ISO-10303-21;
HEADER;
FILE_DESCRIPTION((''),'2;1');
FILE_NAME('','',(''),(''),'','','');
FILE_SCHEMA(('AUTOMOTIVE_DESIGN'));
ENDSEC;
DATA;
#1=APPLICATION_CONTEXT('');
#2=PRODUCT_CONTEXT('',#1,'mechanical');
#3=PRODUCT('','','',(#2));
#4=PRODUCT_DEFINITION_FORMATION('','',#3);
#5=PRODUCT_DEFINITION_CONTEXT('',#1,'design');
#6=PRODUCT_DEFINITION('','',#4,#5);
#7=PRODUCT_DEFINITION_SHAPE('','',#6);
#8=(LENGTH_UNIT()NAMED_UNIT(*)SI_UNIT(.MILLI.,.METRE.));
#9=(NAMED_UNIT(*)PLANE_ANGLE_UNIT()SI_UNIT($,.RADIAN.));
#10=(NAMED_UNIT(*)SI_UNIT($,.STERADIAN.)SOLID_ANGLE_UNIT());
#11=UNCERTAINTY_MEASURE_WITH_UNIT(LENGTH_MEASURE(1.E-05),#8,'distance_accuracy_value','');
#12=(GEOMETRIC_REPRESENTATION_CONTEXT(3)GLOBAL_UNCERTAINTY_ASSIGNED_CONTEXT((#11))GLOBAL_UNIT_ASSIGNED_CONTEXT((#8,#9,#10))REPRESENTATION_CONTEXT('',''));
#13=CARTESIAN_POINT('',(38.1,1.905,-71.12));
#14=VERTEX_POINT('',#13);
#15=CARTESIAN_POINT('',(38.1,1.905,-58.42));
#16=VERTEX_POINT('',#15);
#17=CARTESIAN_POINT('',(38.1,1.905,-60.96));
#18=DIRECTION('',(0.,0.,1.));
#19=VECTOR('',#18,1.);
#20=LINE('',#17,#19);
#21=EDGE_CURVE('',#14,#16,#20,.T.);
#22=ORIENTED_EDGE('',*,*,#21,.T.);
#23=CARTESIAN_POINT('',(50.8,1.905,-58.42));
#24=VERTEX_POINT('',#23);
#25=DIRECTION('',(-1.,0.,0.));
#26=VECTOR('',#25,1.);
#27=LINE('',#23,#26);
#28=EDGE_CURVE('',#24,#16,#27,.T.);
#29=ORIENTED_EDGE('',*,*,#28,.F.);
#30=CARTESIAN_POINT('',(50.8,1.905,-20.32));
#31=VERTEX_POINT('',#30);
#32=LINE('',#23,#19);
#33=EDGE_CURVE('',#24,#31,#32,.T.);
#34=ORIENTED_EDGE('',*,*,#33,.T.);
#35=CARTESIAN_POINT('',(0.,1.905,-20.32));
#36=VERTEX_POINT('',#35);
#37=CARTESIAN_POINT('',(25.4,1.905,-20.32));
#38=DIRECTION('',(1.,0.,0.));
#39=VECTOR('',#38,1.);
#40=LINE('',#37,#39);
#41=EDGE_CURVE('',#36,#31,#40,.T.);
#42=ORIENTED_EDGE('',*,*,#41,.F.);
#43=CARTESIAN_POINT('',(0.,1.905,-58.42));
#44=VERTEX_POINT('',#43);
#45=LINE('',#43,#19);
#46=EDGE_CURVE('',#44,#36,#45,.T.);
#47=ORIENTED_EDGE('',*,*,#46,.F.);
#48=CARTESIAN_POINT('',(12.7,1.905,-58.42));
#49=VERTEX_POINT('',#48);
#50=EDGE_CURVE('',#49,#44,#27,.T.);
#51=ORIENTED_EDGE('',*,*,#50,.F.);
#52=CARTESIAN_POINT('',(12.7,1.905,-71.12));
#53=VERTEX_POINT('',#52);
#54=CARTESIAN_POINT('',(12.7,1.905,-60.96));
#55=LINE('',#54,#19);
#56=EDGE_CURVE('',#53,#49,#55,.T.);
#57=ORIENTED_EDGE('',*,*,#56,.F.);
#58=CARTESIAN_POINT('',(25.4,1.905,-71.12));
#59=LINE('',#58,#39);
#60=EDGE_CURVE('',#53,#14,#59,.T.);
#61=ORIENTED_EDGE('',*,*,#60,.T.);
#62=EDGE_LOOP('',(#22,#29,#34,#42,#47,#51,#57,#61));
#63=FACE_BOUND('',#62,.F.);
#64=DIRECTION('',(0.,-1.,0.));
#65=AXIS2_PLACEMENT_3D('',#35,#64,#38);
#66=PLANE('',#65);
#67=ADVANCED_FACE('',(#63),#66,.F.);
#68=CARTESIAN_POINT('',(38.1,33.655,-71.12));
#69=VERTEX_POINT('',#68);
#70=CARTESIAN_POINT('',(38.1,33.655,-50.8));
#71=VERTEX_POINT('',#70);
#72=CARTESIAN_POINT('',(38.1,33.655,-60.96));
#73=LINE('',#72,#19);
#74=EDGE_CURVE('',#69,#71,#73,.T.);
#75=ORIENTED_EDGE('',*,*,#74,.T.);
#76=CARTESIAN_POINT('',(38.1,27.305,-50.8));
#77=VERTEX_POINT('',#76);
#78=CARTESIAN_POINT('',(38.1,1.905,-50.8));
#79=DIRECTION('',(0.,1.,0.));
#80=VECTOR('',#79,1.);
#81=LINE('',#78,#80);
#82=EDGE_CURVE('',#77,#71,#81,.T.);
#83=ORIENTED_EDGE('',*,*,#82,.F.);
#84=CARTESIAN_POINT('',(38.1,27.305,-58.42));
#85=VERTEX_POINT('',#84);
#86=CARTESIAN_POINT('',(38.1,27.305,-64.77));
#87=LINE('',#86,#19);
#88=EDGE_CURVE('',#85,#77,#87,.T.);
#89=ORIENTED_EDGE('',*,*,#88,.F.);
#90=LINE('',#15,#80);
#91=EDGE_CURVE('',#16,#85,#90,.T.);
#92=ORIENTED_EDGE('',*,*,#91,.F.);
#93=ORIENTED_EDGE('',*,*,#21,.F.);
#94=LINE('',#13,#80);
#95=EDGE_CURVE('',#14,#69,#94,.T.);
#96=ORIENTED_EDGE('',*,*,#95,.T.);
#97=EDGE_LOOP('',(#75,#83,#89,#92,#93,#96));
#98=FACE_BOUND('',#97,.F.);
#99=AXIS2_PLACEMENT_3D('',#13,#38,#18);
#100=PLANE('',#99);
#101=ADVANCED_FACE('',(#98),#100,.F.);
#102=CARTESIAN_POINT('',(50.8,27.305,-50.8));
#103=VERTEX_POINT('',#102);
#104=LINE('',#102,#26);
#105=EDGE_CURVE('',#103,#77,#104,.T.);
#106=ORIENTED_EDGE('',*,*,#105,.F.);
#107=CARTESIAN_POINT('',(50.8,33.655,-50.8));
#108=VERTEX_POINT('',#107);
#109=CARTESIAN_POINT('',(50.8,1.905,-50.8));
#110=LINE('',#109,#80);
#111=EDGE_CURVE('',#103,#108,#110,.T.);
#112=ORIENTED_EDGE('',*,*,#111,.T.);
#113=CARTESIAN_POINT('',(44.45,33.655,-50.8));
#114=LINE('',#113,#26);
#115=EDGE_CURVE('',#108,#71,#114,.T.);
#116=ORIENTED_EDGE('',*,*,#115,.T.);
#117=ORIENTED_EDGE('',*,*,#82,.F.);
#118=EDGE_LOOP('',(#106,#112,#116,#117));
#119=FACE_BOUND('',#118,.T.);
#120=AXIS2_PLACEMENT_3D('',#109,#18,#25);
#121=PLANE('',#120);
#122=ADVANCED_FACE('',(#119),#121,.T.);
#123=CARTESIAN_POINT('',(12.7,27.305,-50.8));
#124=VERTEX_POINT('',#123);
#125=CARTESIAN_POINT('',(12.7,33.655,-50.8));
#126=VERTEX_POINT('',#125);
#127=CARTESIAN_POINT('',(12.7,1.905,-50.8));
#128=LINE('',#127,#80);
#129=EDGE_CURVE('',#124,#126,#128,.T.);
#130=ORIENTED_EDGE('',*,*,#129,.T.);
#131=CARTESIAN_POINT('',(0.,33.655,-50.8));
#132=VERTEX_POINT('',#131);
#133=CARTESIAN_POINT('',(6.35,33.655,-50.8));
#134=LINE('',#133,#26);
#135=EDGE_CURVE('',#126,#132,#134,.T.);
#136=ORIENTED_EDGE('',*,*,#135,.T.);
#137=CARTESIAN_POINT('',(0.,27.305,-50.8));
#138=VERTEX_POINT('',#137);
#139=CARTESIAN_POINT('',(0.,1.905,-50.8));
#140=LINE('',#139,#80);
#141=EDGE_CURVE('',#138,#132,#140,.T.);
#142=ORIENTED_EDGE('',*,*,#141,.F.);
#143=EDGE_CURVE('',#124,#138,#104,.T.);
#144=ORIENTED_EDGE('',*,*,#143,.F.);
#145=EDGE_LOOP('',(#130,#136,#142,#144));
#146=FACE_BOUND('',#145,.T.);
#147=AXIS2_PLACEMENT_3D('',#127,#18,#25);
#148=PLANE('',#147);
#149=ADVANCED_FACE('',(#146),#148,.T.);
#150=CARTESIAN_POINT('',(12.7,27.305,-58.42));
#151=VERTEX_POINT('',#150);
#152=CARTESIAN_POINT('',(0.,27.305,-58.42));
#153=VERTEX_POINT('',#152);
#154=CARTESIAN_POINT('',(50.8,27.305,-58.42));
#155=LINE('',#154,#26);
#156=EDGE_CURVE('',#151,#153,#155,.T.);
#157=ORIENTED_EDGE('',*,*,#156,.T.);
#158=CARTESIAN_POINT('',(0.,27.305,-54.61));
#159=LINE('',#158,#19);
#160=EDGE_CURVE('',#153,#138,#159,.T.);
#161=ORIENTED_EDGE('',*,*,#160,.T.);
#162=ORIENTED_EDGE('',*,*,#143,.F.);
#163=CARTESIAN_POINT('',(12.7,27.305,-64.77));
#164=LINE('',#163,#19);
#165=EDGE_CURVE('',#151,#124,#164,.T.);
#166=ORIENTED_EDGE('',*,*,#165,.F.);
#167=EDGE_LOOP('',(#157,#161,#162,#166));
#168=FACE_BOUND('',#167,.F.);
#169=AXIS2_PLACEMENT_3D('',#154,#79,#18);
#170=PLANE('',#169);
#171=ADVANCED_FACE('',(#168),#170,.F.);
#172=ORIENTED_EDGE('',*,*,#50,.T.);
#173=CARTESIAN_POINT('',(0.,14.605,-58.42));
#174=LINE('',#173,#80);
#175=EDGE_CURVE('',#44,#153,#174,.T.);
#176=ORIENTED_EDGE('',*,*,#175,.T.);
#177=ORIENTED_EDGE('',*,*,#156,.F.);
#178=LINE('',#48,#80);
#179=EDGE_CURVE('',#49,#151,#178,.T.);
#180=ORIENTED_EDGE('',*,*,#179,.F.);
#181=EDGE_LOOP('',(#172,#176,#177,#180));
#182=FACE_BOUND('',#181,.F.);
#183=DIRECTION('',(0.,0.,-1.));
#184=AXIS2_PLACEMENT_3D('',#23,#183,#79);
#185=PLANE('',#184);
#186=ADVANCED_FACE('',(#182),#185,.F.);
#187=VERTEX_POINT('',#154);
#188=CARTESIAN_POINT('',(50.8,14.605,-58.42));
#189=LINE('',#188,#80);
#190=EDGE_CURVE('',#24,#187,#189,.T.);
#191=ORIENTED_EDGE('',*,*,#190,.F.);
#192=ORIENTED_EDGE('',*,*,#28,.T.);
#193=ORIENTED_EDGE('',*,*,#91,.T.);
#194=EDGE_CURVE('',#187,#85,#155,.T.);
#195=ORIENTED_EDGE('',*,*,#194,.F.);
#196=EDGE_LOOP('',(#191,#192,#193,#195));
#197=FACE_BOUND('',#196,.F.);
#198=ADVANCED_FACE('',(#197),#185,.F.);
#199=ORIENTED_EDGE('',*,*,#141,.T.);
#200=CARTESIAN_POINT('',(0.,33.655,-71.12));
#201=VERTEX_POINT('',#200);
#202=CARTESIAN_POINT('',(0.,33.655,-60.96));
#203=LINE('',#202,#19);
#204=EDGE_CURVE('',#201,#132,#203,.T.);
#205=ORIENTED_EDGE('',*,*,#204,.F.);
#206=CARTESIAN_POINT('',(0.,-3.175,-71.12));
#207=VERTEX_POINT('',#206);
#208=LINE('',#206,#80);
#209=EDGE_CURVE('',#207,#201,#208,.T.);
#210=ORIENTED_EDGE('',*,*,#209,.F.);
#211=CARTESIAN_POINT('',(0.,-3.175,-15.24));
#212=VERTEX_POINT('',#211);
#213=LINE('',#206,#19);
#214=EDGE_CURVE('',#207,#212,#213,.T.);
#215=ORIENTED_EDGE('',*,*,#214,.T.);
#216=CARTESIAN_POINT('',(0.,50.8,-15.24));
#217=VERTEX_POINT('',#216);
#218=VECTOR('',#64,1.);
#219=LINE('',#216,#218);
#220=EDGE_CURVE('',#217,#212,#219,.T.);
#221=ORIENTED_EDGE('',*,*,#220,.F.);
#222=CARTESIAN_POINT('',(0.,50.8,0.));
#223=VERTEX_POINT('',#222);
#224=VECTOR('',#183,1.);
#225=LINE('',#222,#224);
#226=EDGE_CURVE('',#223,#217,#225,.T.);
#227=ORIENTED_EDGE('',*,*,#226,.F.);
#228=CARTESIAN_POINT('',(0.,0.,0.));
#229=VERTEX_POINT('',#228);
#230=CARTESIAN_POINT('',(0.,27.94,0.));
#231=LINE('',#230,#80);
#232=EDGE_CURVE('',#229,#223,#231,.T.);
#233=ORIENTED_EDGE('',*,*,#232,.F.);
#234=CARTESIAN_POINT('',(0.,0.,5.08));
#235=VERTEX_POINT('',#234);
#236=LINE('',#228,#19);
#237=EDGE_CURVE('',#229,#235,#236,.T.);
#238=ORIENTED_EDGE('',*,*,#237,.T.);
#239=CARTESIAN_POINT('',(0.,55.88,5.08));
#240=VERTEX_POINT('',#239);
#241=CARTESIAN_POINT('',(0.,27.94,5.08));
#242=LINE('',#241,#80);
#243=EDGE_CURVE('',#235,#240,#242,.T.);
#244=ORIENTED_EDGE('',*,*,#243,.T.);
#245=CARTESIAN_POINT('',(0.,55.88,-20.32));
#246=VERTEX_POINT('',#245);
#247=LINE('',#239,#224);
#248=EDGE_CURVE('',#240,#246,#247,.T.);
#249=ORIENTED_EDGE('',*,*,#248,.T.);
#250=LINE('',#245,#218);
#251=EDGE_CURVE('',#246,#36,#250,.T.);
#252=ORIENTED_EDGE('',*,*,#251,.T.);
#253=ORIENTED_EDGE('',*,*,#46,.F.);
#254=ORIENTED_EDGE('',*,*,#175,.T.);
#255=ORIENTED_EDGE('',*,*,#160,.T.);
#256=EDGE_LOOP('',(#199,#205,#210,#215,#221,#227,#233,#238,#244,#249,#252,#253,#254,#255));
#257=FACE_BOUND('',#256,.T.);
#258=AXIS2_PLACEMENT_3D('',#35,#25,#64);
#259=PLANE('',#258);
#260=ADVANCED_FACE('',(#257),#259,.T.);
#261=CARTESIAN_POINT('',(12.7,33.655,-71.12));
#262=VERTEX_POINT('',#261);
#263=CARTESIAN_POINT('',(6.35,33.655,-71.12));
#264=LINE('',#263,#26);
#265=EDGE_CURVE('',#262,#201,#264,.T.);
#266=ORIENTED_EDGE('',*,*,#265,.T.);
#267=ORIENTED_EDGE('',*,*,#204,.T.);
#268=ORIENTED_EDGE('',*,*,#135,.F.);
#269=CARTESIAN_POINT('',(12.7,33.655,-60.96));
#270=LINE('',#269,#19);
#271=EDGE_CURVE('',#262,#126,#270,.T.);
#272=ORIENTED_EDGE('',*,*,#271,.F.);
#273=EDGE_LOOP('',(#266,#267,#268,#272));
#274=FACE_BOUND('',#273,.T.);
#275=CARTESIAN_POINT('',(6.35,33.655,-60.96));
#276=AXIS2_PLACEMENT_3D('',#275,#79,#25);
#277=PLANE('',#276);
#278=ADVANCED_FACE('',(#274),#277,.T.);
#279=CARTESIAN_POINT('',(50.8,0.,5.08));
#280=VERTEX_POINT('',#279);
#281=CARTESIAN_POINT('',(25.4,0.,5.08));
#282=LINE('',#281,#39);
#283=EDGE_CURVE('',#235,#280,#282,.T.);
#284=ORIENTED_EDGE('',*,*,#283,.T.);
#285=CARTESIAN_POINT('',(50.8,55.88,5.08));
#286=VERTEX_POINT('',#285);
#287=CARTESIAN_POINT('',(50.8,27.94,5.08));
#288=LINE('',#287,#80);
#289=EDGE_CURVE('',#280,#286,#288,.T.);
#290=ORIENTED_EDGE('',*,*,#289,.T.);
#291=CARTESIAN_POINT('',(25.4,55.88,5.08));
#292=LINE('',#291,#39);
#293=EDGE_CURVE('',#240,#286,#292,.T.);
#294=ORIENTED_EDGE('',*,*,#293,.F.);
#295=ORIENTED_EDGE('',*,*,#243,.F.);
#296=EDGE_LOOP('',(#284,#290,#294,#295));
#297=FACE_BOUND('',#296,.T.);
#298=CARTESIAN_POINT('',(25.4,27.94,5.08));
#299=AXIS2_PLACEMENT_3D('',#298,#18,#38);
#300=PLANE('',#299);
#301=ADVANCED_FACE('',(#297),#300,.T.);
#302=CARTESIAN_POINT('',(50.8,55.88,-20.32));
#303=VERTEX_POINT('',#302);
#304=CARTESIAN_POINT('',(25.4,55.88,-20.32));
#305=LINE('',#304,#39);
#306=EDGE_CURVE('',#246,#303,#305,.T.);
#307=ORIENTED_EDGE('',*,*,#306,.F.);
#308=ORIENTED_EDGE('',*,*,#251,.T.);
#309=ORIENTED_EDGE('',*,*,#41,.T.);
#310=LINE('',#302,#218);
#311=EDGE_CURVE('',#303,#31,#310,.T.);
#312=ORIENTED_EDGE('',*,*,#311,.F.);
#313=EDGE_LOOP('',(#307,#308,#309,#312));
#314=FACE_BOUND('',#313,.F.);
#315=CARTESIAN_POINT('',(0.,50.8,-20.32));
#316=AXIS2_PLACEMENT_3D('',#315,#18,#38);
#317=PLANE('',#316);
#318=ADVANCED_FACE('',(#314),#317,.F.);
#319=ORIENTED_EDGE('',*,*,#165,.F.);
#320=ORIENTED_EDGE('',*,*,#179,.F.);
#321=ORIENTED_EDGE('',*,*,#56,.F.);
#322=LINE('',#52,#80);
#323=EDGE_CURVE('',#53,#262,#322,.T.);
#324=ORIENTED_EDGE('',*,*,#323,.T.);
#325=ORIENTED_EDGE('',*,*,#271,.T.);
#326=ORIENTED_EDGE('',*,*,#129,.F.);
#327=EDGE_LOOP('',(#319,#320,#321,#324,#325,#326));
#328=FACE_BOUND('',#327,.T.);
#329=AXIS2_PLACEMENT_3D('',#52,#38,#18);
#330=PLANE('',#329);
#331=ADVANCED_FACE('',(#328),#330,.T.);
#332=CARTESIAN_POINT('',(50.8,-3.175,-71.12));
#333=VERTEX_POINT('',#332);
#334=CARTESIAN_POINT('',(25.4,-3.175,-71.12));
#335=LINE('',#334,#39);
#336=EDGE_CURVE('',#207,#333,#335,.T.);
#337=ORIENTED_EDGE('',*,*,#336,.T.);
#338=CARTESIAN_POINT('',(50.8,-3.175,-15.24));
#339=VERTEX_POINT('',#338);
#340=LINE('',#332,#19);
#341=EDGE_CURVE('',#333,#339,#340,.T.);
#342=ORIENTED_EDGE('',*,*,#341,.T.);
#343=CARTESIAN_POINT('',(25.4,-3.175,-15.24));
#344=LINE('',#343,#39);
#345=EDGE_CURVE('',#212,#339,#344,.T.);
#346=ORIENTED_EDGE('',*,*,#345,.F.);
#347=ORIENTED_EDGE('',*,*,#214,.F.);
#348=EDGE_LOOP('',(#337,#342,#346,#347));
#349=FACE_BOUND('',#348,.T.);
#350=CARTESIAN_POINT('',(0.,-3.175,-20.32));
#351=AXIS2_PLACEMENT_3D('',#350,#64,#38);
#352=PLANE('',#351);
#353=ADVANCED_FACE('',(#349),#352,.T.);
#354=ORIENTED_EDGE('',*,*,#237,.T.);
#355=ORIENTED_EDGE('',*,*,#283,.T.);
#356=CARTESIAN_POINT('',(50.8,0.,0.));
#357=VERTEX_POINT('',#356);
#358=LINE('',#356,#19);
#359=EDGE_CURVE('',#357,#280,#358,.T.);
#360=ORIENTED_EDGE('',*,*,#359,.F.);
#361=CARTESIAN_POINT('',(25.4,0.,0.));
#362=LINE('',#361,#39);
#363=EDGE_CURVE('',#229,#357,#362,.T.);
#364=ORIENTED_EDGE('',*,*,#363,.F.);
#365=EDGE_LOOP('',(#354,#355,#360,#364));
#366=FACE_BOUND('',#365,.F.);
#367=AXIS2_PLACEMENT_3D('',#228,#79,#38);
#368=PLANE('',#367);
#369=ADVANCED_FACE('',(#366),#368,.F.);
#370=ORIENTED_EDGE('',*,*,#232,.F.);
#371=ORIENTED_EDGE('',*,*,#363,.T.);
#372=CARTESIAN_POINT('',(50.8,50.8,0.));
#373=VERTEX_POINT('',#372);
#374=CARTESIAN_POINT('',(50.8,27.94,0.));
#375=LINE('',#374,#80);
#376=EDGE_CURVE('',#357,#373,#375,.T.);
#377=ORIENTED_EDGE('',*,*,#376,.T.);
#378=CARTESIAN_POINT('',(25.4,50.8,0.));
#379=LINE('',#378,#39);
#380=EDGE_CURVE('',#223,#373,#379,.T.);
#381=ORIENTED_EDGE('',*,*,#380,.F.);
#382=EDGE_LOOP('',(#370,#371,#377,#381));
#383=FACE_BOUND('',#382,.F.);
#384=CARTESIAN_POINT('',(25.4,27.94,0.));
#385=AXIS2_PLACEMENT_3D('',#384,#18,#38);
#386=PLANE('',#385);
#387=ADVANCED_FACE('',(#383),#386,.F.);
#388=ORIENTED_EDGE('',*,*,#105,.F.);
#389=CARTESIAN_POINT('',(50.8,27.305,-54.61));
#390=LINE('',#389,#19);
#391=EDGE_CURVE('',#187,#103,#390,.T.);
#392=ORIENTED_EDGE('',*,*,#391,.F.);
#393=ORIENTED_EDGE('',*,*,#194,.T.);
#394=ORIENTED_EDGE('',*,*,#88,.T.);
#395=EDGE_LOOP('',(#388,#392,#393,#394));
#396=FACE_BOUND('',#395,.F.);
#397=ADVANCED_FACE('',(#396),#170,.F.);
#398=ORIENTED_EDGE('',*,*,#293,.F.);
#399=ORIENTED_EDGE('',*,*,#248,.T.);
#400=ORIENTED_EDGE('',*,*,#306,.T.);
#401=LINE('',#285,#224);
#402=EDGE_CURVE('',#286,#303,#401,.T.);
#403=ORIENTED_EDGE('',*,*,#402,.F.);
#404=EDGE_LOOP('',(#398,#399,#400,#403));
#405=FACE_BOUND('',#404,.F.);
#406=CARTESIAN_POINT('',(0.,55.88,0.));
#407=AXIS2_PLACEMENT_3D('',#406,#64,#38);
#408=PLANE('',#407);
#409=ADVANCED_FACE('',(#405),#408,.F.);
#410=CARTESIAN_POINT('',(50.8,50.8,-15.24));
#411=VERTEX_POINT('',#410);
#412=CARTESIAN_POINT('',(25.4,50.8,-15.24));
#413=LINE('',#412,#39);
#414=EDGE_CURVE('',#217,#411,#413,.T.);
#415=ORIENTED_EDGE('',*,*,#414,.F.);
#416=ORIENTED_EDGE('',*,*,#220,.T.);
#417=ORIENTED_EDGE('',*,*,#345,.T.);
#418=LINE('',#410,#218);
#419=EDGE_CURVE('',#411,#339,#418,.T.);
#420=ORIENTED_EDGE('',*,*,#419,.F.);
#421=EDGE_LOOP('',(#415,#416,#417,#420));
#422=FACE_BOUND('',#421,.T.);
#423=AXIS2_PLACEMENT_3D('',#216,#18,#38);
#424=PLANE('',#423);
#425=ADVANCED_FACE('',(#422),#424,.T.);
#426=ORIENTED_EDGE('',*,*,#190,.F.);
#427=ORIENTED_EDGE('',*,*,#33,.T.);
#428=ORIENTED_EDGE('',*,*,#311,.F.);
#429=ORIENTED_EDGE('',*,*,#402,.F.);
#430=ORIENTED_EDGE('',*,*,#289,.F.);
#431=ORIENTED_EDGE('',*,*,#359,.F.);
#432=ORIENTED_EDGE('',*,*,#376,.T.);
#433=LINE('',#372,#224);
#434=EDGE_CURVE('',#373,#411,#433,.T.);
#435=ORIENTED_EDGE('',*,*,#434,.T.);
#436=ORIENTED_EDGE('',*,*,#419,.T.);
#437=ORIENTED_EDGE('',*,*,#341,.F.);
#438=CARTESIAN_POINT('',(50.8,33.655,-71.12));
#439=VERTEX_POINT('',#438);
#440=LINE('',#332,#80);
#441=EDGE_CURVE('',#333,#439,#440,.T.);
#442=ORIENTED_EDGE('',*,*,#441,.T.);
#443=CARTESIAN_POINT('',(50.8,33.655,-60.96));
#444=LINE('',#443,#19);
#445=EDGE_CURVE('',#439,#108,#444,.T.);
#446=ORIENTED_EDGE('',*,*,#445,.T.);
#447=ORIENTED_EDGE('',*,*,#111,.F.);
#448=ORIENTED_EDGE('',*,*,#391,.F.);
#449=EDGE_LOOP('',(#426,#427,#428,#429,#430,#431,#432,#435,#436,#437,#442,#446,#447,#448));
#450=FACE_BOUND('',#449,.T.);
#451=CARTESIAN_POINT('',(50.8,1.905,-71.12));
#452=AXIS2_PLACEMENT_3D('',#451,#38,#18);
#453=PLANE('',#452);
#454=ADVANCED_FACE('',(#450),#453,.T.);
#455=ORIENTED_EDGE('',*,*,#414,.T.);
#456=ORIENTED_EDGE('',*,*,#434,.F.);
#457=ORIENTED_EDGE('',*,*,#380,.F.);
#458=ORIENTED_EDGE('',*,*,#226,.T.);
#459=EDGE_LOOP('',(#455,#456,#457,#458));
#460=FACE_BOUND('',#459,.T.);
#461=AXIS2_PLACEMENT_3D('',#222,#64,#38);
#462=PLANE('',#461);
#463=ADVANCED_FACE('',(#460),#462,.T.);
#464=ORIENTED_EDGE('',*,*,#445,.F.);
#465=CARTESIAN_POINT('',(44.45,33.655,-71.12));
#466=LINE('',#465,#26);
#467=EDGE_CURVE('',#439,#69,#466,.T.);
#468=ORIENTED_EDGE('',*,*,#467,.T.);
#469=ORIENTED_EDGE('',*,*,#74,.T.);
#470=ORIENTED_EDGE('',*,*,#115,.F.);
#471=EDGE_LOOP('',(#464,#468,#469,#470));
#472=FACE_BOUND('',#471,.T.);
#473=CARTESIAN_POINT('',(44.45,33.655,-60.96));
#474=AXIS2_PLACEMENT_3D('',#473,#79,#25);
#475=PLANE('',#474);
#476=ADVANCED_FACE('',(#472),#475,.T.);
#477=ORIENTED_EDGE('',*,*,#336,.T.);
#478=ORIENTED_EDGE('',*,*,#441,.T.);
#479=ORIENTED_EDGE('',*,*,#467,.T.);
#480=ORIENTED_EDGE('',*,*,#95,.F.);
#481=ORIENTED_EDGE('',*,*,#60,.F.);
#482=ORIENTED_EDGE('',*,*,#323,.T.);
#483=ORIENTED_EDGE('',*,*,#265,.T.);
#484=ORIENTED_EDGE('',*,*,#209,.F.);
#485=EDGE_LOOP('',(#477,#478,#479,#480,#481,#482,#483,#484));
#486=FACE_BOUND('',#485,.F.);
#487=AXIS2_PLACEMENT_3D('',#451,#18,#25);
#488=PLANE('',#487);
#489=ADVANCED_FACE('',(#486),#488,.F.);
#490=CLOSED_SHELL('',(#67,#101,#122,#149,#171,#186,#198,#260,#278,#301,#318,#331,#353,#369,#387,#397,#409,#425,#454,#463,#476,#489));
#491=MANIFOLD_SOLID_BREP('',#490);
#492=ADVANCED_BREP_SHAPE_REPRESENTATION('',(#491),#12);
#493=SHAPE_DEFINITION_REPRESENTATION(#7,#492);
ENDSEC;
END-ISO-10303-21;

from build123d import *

# Parameters (mm, degrees)
F0_W      = 50.8
F0_H      = 55.88
F1_DEPTH  = 5.08
F2_W      = 50.8
F2_H      = 5.08
F3_DEPTH  = 20.32
F4_W      = 50.8
F4_H      = 5.08
F5_DEPTH  = 53.975
F6_W      = 50.8
F6_H      = 5.08
F7_DEPTH  = 50.8
F8_W      = 12.7
F8_H      = 20.32
F9_DEPTH  = 31.75
F10_W     = 25.4
F10_H     = 7.62
F11_DEPTH = 50.8


with BuildPart() as f1:
    # F0 (on Top) → F1 (new body)
    with BuildSketch(Plane.XY):
        with Locations((25.4, 27.94)):
            Rectangle(F0_W, F0_H)
    extrude(amount=F1_DEPTH)

    # F2 (on face) → F3 (join)
    with BuildSketch(Plane(origin=(0, 0, 0), x_dir=(1, 0, 0), z_dir=(0, 0, -1))):
        with Locations((25.4, -53.34)):
            Rectangle(F2_W, F2_H)
    extrude(amount=F3_DEPTH)

    # F4 (on face) → F5 (join)
    with BuildSketch(Plane.XZ.offset(-50.8)):
        with Locations((25.4, -17.78)):
            Rectangle(F4_W, F4_H)
    extrude(amount=F5_DEPTH)

    # F6 (on face) → F7 (join)
    with BuildSketch(Plane(origin=(0, 0, -20.32), x_dir=(1, 0, 0), z_dir=(0, 0, -1))):
        with Locations((25.4, 0.635)):
            Rectangle(F6_W, F6_H)
    extrude(amount=F7_DEPTH)

    # F8 (on face) → F9 (join)
    with BuildSketch(Plane(origin=(0, 1.905, 0), x_dir=(-1, 0, 0), z_dir=(0, 1, 0))):
        with Locations((-44.45, -60.96)):
            Rectangle(F8_W, F8_H)
        with Locations((-6.35, -60.96)):
            Rectangle(F8_W, F8_H)
    extrude(amount=F9_DEPTH)

    # F10 (on face) → F11 (cut)
    with BuildSketch(Plane.YZ.offset(50.8)):
        with Locations((14.605, -54.61)):
            Rectangle(F10_W, F10_H)
    extrude(amount=-F11_DEPTH, mode=Mode.SUBTRACT)


solid = f1.part
